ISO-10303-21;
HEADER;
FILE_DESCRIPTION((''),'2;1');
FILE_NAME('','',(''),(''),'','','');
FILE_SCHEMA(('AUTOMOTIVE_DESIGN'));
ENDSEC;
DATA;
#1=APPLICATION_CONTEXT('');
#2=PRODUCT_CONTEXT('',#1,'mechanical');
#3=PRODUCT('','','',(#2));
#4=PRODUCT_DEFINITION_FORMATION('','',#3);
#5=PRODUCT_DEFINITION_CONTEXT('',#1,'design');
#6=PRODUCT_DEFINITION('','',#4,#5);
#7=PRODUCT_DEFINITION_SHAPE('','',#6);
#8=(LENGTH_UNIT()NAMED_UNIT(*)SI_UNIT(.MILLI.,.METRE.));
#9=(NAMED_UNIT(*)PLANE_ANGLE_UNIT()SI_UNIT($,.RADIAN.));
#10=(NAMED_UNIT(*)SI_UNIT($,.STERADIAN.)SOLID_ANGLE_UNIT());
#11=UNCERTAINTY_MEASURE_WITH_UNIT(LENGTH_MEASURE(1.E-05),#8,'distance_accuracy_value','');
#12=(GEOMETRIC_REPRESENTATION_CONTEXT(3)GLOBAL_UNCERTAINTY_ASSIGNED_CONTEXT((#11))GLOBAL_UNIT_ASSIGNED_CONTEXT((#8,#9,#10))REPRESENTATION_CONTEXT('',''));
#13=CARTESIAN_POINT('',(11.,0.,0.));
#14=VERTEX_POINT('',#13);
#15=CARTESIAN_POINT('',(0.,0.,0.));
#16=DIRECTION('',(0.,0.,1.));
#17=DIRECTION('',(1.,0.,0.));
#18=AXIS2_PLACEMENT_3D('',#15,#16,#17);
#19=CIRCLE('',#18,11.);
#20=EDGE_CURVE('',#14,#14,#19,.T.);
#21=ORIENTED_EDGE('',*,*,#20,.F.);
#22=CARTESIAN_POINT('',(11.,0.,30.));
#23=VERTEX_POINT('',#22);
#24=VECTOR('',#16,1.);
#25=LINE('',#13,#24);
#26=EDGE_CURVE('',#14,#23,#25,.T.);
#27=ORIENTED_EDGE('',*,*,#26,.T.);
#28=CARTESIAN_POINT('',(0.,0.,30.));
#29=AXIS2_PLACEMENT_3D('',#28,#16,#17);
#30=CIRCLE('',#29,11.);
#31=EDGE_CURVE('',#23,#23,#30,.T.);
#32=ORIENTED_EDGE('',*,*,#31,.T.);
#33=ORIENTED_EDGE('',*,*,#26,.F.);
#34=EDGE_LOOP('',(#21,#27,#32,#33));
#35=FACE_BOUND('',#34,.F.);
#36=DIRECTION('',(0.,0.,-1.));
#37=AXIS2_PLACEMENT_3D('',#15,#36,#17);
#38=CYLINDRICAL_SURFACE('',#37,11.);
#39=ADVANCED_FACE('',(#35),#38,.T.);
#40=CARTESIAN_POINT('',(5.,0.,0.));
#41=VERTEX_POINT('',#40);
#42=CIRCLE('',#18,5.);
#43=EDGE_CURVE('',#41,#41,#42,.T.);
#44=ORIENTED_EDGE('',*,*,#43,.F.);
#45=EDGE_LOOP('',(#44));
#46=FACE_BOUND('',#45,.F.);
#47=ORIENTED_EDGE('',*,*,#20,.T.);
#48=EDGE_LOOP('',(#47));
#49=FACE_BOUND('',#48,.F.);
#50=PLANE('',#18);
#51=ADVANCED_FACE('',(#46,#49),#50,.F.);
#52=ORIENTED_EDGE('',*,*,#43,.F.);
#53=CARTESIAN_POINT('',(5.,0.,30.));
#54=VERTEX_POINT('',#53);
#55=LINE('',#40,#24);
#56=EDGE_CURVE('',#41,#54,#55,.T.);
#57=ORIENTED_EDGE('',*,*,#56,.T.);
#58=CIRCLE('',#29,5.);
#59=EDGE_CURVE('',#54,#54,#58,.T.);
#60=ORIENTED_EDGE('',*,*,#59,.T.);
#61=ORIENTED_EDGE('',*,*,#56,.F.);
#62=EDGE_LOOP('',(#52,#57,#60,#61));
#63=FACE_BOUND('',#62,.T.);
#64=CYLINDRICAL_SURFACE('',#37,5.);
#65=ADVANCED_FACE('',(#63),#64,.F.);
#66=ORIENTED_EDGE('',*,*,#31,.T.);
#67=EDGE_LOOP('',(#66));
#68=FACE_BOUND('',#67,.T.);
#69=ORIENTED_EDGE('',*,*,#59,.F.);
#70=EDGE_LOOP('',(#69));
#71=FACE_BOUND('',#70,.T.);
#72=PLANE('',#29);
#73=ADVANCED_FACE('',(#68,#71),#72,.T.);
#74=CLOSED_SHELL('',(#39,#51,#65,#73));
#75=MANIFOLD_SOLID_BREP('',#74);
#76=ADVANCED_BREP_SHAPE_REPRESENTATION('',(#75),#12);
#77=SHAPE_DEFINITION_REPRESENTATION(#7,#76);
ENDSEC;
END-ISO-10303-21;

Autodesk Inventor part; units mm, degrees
ref_plane "YZ Plane" through (0, 0, 0) normal (1, 0, 0) x (0, 1, 0)
ref_plane "XZ Plane" through (0, 0, 0) normal (0, 1, 0) x (-1, 0, 0)
ref_plane "XY Plane" through (0, 0, 0) normal (0, 0, 1) x (1, 0, 0)
sketch "Sketch1" plane through (0, 0, 0) normal (0, 0, 1) x (1, 0, 0)
  circle A0 centre (0, 0) radius 11
  circle A1 centre (0, 0) radius 5
  dimension "d0" = 22
  dimension "d1" = 10
extrude "Extrusion1" add sketch "Sketch1" along normal blind 30
properties part number "dystans łożyska napęd"
